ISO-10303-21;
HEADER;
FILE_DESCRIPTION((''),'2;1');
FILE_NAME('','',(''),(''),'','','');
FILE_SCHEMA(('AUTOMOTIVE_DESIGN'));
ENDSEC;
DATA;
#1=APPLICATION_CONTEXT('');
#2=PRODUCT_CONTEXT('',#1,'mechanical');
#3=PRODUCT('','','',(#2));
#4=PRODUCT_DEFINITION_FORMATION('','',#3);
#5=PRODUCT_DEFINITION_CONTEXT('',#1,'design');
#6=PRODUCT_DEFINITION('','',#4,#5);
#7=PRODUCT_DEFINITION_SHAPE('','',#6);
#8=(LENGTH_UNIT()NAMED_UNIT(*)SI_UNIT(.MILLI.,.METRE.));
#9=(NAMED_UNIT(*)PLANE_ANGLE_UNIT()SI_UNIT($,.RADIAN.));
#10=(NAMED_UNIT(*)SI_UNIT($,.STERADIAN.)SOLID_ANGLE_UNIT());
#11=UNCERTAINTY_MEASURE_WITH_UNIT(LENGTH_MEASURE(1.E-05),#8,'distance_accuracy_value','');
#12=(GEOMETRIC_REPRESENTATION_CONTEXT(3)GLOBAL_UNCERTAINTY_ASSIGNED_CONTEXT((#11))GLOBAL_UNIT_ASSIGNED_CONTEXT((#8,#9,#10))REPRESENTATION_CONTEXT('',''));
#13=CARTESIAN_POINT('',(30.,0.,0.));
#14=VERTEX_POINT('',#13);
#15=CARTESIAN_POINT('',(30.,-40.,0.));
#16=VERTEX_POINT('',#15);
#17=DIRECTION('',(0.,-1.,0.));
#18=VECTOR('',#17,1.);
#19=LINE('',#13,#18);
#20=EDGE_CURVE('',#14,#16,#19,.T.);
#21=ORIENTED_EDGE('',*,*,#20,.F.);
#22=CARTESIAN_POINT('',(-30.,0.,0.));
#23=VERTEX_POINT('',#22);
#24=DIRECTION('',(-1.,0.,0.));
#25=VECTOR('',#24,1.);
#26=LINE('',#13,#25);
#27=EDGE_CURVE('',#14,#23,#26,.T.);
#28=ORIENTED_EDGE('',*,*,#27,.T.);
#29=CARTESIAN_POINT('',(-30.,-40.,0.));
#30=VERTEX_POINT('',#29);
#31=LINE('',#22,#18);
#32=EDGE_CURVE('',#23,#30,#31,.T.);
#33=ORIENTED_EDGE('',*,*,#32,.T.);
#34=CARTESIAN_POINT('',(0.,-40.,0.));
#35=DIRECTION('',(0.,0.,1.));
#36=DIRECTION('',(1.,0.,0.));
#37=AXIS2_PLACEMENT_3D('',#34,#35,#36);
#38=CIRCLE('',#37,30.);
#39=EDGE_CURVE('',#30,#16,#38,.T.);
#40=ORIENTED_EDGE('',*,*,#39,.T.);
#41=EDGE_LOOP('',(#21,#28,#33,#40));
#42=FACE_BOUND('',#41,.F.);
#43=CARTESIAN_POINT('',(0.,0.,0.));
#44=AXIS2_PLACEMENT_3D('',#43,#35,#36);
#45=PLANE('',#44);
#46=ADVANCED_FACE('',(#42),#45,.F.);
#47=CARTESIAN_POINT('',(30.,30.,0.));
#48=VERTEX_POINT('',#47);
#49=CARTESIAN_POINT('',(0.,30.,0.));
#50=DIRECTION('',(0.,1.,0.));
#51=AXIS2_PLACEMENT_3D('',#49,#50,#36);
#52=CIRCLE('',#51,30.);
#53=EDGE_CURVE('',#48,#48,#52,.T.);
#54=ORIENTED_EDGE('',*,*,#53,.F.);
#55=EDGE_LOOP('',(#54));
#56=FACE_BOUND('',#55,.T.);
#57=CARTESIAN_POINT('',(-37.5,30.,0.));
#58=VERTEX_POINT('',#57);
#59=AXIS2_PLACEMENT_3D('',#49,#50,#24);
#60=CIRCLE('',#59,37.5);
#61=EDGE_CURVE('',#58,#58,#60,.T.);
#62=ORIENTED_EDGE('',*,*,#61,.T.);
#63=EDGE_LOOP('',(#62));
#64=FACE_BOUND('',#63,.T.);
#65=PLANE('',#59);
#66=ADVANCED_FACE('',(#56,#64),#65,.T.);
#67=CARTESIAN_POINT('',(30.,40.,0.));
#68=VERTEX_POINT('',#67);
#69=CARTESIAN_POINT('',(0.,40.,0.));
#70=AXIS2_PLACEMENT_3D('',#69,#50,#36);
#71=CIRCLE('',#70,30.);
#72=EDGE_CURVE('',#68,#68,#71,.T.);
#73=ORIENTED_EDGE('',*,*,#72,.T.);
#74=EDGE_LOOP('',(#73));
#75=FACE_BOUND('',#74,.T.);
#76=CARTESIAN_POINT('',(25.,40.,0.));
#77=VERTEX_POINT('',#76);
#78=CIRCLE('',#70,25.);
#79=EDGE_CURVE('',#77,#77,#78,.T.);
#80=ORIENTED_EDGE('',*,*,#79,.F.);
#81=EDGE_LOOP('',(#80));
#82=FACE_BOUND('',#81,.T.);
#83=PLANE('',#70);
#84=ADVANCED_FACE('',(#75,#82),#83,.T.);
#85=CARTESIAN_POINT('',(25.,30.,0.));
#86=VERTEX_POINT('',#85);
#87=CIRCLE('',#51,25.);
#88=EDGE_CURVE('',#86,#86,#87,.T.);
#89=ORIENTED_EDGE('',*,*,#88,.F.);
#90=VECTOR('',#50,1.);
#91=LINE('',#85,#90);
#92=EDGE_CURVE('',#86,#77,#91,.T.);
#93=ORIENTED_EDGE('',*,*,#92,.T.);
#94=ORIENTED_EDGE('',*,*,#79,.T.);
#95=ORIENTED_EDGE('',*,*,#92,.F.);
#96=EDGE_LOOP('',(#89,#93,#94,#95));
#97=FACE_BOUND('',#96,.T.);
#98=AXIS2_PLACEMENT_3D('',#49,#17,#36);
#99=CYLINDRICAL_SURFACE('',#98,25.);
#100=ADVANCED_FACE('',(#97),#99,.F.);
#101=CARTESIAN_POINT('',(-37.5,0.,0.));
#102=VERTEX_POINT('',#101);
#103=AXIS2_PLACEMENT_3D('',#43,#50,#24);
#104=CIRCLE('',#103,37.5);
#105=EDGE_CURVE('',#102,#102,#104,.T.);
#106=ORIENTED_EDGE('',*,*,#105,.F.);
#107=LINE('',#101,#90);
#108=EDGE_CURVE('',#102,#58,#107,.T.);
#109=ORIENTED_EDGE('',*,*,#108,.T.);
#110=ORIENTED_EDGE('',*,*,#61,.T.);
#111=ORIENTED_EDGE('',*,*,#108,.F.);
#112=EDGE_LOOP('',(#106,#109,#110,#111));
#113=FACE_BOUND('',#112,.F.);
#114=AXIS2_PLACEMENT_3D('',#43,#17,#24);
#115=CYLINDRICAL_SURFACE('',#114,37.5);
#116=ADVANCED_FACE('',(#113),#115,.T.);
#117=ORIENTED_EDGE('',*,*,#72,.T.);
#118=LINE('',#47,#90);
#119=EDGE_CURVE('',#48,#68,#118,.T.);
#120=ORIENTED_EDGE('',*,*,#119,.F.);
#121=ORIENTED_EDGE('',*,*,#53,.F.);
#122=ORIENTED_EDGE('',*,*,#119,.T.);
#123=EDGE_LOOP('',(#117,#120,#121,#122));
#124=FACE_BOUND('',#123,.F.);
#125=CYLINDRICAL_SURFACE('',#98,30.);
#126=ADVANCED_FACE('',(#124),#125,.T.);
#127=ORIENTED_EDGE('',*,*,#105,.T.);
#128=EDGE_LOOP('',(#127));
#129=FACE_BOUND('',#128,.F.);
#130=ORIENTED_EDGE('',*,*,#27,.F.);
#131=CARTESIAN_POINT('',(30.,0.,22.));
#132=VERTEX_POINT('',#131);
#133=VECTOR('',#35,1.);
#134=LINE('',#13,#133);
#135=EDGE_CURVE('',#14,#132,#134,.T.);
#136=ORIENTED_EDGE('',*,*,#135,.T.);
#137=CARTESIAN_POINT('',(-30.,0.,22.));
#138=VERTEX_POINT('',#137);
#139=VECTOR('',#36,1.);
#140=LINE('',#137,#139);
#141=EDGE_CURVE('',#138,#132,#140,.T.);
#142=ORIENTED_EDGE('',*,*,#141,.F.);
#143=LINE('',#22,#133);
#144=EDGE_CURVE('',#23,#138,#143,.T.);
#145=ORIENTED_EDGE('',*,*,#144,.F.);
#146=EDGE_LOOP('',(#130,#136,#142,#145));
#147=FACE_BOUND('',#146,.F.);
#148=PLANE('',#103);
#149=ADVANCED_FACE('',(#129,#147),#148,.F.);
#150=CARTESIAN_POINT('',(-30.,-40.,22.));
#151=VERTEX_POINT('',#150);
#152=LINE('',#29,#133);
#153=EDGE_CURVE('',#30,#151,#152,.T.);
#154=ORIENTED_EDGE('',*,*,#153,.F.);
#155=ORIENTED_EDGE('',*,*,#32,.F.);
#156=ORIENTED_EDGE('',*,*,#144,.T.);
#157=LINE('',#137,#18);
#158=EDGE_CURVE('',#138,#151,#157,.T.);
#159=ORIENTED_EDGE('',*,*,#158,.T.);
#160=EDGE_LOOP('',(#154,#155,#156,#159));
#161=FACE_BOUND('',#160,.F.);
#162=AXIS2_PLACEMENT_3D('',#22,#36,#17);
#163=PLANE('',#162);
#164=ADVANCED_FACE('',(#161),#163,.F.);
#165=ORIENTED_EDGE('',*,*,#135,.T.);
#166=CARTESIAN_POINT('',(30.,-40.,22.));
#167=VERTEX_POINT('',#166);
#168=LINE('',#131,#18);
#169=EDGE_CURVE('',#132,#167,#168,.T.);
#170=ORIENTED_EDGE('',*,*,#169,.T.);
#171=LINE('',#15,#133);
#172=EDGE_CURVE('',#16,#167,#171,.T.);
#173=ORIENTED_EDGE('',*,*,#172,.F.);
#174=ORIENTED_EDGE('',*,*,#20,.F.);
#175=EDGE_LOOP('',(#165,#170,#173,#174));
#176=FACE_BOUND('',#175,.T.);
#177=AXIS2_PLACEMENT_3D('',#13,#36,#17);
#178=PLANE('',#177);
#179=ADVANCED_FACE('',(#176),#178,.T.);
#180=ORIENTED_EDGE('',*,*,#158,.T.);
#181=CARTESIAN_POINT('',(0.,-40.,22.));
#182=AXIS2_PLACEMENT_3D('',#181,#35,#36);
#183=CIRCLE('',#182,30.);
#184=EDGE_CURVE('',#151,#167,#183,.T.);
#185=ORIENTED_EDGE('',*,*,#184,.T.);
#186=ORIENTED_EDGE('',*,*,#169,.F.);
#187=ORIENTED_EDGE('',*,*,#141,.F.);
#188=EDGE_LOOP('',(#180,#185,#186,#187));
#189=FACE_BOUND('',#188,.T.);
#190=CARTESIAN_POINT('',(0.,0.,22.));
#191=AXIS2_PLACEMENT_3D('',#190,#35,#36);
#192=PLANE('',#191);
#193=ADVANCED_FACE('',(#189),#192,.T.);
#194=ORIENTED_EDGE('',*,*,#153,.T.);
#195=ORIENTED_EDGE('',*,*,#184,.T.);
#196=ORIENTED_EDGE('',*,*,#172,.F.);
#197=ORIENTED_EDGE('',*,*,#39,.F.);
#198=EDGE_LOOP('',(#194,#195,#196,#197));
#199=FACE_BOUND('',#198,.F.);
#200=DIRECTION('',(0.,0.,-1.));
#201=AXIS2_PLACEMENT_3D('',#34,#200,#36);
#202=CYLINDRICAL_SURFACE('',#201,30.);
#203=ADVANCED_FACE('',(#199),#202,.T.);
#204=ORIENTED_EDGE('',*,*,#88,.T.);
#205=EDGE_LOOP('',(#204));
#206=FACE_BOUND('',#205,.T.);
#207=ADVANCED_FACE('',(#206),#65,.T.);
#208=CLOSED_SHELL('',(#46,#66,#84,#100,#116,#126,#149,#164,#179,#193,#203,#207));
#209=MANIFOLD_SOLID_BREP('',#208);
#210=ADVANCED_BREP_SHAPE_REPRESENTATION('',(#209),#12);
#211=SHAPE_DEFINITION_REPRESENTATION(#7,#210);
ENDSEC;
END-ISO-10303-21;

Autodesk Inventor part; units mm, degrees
ref_plane "YZ Plane" through (0, 0, 0) normal (1, 0, 0) x (0, 1, 0)
ref_plane "XZ Plane" through (0, 0, 0) normal (0, 1, 0) x (-1, 0, 0)
ref_plane "XY Plane" through (0, 0, 0) normal (0, 0, 1) x (1, 0, 0)
sketch "Sketch1" plane through (0, 0, 0) normal (0, 1, 0) x (-1, 0, 0)
  circle A0 centre (0, 0) radius 37.5
  dimension "d0" = 75
extrude "Extrusion1" add sketch "Sketch1" along normal blind 30
sketch "Sketch6" plane through (0, 30, 0) normal (0, 1, 0) x (1, 0, 0)
  circle A0 centre (0, 0) radius 30
  circle A1 centre (0, 0) radius 25
  circle A2 centre (0, 0) radius 7.5
  dimension "d16" = 60
  dimension "d17" = 50
  dimension "d28" = 15
extrude "Extrusion5" add sketch "Sketch6" along normal blind 10 contours A0
sketch "Sketch9" plane through (0, 0, 0) normal (0, 0, 1) x (1, 0, 0)
  line L0 (0, 0) -> (30, 0)
  line L1 (30, 0) -> (30, -40)
  line L2 (30, -40) -> (0, -40)
  line L3 (0, -40) -> (0, 0)
  circle A0 centre (0, -40) radius 30
  line L4 (-30, 0) -> (-30, -40)
  line L5 (0, 0) -> (-30, 0)
  line L6 (37.5, 30) -> (-37.5, 30) projected
  point P0 (-30, -40)
  point P1 (30, -40)
  dimension "d38" = 40
  dimension "d40" = 60
  dimension "d41" = 30
  dimension "d44" = 0
extrude "Extrusion8" add sketch "Sketch9" along normal blind 22
properties part number "Shoulder1"
